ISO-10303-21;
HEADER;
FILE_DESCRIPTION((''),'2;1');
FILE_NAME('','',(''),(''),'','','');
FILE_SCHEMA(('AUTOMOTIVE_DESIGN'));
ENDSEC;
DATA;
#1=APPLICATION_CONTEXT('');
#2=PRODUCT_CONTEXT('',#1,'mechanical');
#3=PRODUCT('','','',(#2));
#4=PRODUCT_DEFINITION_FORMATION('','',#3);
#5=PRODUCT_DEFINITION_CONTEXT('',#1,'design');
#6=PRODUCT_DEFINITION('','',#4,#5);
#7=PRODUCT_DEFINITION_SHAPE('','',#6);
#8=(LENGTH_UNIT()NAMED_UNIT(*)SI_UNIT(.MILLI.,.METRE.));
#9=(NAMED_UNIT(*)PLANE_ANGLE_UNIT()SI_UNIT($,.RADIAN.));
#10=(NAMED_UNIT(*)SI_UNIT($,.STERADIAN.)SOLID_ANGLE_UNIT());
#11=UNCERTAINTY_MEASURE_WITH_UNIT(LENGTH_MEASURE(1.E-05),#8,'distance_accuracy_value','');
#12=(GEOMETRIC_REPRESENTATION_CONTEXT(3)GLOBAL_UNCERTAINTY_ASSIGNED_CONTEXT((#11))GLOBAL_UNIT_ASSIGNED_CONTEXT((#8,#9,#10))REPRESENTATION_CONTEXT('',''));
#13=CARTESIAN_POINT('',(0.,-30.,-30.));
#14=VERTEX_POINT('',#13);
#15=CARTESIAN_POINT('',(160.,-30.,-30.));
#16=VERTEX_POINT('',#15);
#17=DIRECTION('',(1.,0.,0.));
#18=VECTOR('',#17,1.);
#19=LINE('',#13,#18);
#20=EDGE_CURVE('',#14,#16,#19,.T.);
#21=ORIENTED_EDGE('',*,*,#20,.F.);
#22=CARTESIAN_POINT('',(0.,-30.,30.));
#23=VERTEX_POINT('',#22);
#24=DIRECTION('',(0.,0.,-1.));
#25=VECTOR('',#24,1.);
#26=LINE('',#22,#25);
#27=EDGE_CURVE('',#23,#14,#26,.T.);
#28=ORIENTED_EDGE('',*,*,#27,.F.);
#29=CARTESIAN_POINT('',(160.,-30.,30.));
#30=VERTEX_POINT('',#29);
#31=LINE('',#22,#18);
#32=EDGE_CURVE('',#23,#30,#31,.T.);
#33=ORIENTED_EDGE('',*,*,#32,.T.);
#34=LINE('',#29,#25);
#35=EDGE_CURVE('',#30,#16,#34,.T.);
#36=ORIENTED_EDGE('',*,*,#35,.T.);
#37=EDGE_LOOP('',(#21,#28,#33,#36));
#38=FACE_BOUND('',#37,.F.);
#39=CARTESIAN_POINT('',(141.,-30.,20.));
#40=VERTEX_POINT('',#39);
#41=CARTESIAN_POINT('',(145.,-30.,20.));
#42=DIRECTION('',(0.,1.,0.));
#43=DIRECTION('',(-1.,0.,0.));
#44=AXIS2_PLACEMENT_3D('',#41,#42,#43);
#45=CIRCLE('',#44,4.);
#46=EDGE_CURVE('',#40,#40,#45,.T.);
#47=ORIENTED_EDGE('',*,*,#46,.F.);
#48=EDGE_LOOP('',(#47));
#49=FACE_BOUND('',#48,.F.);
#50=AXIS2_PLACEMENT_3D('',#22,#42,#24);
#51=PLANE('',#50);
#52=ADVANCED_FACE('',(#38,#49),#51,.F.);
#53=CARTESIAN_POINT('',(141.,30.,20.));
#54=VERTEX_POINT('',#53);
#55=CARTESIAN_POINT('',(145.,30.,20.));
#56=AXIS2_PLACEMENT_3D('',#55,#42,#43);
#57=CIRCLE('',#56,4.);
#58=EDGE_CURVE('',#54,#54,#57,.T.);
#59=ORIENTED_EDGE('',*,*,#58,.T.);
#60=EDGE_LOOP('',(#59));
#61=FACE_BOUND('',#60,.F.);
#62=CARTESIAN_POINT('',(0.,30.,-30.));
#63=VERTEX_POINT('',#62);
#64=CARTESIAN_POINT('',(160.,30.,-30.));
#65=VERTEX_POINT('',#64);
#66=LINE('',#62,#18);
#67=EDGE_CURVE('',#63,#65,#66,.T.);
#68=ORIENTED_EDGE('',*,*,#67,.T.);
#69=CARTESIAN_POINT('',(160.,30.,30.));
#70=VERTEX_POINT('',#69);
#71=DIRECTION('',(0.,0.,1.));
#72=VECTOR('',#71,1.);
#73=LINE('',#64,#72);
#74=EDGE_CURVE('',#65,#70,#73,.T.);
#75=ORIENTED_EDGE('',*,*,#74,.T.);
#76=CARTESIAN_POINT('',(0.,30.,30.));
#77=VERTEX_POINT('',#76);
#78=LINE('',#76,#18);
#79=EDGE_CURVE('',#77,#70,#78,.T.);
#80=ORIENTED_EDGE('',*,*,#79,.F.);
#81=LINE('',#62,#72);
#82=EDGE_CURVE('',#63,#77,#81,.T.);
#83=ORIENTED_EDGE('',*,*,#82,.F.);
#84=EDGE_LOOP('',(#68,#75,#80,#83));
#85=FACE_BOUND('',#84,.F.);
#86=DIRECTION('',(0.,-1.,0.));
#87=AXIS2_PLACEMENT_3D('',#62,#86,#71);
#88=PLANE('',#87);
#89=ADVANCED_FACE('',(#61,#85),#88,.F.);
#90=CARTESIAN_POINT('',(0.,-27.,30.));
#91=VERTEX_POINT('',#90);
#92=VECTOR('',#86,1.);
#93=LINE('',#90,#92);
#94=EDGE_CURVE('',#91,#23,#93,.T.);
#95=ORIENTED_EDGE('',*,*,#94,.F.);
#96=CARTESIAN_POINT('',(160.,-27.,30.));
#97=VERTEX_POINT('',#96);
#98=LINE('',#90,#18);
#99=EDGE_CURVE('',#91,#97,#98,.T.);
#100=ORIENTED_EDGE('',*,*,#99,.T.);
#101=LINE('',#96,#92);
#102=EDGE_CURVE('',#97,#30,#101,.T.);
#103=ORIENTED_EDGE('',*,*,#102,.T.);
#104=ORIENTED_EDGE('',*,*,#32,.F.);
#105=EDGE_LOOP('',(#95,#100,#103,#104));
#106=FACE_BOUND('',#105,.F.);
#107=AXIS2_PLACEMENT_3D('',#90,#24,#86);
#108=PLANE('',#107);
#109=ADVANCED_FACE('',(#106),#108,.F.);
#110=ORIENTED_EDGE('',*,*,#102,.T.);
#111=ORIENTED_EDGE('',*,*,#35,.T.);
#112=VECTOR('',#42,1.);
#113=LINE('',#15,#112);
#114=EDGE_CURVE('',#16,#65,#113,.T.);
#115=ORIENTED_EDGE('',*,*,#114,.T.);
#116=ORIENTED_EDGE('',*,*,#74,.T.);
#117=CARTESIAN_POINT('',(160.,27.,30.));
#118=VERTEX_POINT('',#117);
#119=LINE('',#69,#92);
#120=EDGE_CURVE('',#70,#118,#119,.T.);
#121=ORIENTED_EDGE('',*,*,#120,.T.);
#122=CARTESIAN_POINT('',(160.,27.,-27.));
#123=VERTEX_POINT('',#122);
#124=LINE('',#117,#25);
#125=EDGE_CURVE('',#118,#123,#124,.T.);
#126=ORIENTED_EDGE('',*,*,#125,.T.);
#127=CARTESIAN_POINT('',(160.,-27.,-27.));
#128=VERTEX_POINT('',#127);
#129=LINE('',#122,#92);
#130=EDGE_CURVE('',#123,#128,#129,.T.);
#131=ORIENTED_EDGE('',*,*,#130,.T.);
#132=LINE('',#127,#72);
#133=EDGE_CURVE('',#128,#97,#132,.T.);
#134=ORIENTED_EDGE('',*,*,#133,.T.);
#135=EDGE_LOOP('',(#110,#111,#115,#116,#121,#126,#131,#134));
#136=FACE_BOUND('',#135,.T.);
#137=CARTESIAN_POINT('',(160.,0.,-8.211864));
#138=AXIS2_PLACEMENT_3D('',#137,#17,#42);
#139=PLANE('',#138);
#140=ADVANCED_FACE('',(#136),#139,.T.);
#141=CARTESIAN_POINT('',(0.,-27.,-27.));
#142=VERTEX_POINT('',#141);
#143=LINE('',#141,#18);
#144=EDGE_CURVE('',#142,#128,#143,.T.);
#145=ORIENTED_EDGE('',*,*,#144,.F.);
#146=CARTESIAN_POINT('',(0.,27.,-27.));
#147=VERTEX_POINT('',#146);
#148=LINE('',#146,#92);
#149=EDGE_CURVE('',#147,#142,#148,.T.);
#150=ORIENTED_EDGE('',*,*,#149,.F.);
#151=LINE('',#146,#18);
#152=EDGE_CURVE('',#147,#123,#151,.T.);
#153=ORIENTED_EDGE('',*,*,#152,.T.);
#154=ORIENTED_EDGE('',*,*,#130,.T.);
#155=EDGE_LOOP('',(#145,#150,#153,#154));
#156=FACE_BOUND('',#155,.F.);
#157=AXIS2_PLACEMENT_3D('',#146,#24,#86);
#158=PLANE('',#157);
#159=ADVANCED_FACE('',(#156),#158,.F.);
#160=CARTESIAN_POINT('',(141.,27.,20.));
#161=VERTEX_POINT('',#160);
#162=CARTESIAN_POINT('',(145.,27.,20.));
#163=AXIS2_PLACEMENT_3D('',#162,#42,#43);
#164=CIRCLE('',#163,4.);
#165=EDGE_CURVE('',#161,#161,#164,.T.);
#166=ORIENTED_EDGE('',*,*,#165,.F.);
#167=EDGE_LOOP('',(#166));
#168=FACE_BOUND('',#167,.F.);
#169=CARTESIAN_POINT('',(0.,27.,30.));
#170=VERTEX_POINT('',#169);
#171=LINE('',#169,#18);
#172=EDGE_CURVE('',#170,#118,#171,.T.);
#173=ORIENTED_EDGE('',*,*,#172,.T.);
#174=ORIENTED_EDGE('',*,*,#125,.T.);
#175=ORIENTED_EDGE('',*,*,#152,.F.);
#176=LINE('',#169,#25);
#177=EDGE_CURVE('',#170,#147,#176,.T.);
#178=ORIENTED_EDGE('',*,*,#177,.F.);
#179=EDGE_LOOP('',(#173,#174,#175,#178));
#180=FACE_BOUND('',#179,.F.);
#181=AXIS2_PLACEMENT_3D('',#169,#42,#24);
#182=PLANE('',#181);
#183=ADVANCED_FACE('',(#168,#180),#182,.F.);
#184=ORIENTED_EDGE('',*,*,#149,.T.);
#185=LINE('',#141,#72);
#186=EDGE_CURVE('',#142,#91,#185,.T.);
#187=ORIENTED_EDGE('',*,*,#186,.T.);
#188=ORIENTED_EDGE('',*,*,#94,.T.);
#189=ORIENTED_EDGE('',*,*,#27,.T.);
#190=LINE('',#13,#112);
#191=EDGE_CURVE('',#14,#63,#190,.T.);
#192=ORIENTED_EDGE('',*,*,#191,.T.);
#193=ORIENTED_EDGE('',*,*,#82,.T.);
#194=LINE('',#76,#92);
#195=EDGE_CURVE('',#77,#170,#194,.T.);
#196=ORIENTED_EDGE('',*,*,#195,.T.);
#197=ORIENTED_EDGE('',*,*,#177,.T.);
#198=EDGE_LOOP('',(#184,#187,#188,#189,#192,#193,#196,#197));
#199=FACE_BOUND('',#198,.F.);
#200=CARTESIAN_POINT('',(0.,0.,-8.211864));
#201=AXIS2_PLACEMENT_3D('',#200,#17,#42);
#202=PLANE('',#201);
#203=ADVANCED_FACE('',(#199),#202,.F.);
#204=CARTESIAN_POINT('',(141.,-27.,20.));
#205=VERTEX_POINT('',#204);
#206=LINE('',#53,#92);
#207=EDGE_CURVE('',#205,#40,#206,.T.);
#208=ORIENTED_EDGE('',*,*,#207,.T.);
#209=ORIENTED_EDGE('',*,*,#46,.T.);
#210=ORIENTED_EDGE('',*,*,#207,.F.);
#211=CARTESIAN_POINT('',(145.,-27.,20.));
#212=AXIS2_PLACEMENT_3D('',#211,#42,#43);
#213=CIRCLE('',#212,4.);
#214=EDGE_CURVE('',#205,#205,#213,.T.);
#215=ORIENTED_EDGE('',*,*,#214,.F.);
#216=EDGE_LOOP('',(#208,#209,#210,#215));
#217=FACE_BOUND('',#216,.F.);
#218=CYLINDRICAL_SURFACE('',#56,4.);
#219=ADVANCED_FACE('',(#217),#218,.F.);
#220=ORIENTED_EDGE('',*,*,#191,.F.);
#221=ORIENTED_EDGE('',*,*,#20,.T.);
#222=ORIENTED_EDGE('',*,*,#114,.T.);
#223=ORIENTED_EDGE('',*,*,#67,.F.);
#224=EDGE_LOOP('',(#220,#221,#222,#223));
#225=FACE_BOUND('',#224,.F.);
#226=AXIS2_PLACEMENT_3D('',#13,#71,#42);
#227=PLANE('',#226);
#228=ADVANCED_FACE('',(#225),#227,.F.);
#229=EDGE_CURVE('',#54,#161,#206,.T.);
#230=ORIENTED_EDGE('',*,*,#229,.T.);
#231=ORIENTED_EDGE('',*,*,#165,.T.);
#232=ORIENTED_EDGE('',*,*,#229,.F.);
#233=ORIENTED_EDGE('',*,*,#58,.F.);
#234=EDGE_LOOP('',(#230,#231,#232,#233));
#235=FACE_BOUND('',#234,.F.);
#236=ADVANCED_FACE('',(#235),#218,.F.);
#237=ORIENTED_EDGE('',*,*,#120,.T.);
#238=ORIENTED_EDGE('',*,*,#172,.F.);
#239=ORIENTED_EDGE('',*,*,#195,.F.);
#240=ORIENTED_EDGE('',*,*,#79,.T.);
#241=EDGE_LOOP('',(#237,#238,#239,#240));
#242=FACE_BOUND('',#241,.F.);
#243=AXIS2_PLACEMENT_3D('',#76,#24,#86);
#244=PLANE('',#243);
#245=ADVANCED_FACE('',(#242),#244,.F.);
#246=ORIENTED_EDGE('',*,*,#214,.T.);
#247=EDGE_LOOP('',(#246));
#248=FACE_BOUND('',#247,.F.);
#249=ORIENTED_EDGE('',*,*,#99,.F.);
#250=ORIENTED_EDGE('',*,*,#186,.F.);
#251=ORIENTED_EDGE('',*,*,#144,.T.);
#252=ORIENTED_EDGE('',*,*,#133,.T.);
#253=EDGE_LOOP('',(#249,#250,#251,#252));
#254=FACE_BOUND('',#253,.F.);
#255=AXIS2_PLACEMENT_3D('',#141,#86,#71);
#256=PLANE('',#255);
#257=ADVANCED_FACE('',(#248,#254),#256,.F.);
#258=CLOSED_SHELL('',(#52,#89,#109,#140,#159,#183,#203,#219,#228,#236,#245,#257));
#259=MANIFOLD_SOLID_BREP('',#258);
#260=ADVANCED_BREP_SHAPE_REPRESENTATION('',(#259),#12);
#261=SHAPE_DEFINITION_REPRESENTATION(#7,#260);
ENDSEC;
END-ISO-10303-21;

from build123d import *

# Parameters (mm, degrees)
F1_DEPTH = 160
F2_R     = 4
F3_DEPTH = 60.001


with BuildPart() as f1:
    # F0 (on Right) → F1 (new body)
    with BuildSketch(Plane.YZ):
        Polygon((-30, 30), (-30, -30), (30, -30), (30, 30), (27, 30), (27, -27), (-27, -27), (-27, 30), align=None)
    extrude(amount=F1_DEPTH)

    # F2 (on face) → F3 (cut, through all)
    with BuildSketch(Plane(origin=(0, 30, 0), x_dir=(-1, 0, 0), z_dir=(0, 1, 0))):
        with Locations((-145, 20)):
            Circle(F2_R)
    extrude(amount=-F3_DEPTH, mode=Mode.SUBTRACT)


solid = f1.part
